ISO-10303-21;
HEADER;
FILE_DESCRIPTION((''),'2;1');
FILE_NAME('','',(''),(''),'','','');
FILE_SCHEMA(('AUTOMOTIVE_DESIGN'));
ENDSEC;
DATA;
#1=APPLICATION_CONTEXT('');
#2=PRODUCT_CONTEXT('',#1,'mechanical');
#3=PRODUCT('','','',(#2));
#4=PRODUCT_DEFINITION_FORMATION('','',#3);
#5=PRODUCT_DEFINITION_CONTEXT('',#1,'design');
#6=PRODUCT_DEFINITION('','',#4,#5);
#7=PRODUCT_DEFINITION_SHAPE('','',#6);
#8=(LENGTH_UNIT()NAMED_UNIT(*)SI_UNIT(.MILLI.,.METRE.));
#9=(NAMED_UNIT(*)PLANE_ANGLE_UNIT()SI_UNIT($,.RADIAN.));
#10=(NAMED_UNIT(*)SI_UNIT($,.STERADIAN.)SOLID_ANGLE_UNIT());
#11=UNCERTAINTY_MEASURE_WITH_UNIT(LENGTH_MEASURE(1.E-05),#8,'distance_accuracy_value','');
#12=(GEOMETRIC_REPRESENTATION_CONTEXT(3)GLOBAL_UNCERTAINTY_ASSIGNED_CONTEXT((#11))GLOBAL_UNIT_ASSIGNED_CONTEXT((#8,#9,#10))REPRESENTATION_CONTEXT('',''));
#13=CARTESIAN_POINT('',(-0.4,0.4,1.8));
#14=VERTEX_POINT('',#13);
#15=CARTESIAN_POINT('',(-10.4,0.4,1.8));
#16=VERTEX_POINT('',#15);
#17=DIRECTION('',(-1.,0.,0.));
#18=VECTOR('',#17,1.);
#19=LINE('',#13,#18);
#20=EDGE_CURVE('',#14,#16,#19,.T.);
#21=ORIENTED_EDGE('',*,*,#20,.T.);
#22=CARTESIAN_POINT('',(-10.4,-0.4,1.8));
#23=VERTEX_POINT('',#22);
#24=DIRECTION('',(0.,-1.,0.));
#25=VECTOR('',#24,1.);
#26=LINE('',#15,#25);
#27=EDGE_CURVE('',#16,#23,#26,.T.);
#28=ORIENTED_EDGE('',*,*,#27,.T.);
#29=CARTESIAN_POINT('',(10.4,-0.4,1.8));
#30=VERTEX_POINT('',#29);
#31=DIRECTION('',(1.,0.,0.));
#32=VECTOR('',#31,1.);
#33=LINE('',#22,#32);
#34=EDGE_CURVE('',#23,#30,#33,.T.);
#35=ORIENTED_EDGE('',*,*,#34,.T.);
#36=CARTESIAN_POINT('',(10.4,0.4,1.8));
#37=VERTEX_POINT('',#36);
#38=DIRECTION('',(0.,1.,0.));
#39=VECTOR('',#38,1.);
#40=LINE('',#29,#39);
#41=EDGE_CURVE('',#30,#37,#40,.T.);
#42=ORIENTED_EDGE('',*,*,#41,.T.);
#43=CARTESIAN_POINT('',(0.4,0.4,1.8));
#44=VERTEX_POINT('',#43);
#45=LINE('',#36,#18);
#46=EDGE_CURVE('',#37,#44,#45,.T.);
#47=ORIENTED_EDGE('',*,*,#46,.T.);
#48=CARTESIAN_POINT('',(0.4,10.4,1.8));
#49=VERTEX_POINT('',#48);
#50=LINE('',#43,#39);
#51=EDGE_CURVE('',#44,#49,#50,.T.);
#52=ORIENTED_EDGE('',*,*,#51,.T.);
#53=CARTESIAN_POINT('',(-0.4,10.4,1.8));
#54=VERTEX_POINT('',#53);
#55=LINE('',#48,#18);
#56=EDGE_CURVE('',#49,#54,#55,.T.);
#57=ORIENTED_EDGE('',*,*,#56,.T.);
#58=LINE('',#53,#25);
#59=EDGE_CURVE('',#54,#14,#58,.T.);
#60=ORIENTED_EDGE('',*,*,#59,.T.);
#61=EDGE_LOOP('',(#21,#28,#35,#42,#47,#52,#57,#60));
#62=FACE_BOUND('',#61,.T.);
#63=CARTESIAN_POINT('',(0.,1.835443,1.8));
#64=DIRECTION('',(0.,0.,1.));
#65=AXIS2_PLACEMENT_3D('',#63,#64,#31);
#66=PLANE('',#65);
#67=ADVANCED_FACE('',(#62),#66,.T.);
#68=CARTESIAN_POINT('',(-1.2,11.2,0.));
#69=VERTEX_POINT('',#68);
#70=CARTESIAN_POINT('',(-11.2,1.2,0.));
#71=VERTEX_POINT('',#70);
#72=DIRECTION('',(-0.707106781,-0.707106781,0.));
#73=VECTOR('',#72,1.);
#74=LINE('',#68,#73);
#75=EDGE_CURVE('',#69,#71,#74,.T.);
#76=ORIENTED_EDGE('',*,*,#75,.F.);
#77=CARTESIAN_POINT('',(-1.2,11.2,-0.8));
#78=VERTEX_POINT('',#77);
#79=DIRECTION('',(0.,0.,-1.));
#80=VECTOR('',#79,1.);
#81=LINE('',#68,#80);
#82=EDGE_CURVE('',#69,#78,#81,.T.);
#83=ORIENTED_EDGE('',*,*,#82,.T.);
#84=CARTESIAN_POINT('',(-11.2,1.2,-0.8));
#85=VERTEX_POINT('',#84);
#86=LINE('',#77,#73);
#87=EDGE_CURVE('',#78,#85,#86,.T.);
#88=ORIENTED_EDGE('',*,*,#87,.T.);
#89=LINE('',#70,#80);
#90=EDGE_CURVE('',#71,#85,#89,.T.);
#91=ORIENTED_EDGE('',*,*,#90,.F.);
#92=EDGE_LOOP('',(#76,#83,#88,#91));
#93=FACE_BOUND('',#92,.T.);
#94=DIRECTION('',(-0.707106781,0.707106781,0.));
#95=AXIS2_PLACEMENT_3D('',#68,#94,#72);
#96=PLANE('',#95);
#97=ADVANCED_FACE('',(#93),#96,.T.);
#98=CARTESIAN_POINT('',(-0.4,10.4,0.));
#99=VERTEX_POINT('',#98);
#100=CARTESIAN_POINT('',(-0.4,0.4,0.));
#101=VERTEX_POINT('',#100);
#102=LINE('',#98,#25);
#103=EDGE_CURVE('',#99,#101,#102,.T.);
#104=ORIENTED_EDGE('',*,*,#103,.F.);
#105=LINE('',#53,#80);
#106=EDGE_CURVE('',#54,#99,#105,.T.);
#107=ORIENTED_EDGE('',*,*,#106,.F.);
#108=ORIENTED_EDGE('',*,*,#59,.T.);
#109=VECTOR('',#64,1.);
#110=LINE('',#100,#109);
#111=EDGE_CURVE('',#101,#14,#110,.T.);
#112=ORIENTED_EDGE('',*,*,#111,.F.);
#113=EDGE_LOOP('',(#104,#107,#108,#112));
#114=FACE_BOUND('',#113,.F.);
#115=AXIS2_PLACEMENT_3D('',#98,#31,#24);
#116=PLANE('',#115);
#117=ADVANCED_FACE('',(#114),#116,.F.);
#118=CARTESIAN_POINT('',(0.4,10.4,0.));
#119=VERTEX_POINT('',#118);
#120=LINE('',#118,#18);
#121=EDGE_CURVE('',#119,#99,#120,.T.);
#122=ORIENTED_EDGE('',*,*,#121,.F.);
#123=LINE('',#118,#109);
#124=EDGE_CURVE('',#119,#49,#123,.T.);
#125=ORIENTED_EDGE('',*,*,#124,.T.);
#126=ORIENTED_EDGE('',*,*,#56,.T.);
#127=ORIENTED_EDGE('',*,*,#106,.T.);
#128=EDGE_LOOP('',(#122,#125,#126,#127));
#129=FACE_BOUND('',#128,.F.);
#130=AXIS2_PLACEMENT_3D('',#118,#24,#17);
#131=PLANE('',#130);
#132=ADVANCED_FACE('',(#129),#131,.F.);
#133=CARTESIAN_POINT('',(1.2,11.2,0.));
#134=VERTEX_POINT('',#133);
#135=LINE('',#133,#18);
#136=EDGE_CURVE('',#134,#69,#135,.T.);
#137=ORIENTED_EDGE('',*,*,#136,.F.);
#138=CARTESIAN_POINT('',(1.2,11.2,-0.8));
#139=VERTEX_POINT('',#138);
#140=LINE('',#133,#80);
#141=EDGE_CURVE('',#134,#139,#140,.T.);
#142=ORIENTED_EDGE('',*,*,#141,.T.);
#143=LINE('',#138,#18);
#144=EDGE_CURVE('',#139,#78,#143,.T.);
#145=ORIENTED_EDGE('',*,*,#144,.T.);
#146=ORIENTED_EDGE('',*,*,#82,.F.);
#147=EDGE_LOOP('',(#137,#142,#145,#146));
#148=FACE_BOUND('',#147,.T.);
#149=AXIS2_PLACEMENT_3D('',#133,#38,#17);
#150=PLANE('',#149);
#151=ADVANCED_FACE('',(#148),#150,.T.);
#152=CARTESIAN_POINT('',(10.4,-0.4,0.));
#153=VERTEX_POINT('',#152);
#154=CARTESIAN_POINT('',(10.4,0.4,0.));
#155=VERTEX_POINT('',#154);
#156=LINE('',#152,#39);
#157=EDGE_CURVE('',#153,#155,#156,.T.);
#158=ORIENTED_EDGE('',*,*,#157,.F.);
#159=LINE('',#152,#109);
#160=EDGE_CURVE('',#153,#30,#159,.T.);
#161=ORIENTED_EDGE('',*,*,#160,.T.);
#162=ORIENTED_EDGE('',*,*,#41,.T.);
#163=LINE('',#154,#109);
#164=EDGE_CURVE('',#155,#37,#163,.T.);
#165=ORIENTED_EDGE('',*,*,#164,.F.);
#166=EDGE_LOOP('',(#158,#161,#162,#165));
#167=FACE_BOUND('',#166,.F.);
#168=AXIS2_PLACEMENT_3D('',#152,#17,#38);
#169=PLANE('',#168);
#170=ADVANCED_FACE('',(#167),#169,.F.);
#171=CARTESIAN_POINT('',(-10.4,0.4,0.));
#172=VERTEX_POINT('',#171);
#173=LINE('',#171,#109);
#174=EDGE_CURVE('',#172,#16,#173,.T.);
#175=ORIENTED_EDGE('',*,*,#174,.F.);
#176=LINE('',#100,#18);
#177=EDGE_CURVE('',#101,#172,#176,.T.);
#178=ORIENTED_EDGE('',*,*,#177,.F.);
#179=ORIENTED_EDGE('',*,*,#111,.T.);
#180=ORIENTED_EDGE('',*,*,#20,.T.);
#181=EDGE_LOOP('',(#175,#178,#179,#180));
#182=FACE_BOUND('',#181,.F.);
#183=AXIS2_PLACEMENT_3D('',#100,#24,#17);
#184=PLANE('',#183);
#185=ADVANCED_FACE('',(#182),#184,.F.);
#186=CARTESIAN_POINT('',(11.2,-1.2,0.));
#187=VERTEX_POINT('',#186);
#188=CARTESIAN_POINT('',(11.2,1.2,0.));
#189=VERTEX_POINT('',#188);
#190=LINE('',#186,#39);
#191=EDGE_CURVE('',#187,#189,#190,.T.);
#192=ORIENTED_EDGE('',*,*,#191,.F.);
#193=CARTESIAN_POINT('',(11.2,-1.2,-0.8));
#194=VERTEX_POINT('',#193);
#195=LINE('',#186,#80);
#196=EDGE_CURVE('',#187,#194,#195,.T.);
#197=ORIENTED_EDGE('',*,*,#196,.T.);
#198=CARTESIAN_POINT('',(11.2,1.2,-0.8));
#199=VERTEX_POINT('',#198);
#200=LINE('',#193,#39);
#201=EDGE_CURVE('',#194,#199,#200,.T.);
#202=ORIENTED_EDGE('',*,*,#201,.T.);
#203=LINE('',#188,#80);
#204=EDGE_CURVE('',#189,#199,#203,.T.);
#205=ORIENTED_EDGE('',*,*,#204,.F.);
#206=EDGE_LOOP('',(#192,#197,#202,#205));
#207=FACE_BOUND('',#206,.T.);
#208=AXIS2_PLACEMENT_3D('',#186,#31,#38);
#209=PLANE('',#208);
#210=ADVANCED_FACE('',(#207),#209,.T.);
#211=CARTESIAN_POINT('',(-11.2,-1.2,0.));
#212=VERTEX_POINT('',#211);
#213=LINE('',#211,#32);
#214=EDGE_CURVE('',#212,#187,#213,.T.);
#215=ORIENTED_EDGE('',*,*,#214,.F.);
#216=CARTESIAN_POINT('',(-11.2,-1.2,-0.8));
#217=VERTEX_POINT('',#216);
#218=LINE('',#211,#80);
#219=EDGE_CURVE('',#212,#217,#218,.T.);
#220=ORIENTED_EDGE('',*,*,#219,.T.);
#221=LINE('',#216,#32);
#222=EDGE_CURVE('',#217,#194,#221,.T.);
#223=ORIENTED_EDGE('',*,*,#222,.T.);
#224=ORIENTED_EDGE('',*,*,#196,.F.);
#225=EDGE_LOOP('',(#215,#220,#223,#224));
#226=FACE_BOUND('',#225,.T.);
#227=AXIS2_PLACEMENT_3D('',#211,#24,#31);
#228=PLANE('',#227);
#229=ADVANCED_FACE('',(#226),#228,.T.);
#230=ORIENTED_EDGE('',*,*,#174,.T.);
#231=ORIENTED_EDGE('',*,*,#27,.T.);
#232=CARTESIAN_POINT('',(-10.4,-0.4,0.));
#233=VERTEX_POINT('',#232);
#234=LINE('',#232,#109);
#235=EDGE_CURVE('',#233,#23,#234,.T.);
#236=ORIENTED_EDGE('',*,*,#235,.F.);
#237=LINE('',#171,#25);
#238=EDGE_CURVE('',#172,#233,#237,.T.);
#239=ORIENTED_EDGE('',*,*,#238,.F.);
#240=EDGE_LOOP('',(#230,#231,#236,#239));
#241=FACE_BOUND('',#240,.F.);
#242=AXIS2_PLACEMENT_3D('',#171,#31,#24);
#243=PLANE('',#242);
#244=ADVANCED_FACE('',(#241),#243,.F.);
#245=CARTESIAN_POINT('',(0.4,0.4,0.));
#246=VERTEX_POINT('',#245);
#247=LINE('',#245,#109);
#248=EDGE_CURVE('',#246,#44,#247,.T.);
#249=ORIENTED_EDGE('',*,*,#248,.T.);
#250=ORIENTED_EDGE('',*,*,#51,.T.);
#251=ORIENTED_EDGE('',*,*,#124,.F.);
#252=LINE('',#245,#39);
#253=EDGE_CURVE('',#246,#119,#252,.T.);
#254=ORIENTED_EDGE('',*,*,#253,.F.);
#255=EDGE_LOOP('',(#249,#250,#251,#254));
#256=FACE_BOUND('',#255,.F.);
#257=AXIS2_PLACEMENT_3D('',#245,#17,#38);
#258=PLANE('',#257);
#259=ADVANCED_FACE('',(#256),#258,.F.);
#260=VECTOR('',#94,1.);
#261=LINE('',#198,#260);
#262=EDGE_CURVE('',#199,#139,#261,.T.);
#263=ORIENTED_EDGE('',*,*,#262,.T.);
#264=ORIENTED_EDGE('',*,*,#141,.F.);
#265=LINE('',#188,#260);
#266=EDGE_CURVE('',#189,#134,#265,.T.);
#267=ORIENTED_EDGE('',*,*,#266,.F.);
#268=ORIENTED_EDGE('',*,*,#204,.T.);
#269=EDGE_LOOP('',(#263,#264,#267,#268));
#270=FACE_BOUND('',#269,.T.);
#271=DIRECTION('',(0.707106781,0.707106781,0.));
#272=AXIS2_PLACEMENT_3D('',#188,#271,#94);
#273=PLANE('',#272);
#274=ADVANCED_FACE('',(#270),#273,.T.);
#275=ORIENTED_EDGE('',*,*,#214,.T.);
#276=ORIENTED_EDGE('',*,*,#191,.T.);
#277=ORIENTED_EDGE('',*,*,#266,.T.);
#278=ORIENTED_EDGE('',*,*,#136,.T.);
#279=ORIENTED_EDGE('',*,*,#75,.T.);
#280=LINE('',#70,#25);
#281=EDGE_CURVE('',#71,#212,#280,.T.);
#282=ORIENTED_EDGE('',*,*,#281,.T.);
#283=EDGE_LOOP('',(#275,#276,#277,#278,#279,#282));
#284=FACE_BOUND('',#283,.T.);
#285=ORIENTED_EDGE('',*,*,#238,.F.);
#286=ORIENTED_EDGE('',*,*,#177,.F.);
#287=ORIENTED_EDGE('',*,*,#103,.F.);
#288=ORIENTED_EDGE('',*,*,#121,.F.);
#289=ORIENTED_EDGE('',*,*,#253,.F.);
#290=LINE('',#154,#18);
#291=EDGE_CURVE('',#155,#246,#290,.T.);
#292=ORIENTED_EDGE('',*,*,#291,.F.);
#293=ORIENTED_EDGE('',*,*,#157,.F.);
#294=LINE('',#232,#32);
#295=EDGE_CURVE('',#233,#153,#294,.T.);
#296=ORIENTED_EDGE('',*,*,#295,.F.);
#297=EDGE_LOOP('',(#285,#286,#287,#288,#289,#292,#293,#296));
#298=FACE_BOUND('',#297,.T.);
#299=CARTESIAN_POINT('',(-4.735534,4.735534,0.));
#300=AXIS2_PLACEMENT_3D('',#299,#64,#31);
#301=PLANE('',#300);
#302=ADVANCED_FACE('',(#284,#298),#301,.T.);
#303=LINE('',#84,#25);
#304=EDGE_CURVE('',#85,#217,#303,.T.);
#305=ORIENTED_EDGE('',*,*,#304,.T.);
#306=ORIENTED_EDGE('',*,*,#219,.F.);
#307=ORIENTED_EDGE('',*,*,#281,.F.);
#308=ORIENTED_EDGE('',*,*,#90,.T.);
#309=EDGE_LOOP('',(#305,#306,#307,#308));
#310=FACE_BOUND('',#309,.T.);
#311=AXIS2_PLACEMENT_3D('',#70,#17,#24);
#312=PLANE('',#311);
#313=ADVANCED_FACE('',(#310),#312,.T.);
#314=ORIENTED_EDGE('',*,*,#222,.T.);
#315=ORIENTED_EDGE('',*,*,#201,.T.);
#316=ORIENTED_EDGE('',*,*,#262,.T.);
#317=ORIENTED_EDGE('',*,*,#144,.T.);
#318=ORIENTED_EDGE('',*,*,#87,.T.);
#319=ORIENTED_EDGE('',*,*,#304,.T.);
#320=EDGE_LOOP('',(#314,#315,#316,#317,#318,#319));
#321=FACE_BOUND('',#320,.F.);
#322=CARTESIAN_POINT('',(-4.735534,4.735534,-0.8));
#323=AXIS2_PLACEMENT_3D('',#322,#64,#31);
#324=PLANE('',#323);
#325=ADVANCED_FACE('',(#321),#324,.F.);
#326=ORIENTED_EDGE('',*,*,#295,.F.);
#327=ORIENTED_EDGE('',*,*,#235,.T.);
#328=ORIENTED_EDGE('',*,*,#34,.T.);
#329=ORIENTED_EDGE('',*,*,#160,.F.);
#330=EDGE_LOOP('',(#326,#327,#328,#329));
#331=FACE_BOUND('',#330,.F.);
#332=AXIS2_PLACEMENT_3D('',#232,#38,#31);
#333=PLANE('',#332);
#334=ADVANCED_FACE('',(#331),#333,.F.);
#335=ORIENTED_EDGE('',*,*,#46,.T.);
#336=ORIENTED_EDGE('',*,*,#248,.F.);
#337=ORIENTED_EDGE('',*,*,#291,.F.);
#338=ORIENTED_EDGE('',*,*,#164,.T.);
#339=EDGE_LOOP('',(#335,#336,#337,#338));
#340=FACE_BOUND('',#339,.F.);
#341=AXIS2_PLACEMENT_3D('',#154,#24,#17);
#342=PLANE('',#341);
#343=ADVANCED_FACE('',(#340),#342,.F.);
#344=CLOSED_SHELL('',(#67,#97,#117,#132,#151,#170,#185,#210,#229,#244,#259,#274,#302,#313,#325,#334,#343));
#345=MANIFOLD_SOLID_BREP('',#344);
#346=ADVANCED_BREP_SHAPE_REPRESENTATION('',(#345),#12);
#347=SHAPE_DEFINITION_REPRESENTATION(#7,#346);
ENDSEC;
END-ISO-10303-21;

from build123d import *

# Parameters (mm, degrees)
F1_DEPTH = 1.8
F0_W     = 0.8
F0_H     = 0.8
F2_DEPTH = 0.8


with BuildPart() as f1:
    # F0 (on Top) → F1 (new body)
    with BuildSketch(Plane.XY):
        Polygon((-0.4, 10.4), (-0.4, 0.4), (-10.4, 0.4), (-10.4, -0.4), (-0.4, -0.4), (0.4, -0.4), (10.4, -0.4), (10.4, 0.4), (0.4, 0.4), (0.4, 10.4), align=None)
    extrude(amount=F1_DEPTH)

    # F0 (on Top) + F1_face (on face) → F2 (join)
    with BuildSketch(Plane.XY):
        Polygon((-1.2, 11.2), (-11.2, 1.2), (-1.2, 1.2), align=None)
        Polygon((1.2, 1.2), (11.2, 1.2), (1.2, 11.2), align=None)
        Polygon((-10.4, 0.4), (-0.4, 0.4), (-0.4, 10.4), (0.4, 10.4), (0.4, 0.4), (10.4, 0.4), (10.4, -0.4), (0.4, -0.4), (0.4, -1.2), (1.2, -1.2), (11.2, -1.2), (11.2, 1.2), (1.2, 1.2), (1.2, 11.2), (-1.2, 11.2), (-1.2, 1.2), (-11.2, 1.2), (-11.2, -1.2), (-1.2, -1.2), (-0.4, -1.2), (-0.4, -0.4), (-10.4, -0.4), align=None)
        Polygon((-0.4, 10.4), (-0.4, 0.4), (-10.4, 0.4), (-10.4, -0.4), (-0.4, -0.4), (0.4, -0.4), (10.4, -0.4), (10.4, 0.4), (0.4, 0.4), (0.4, 10.4), align=None)
        with Locations((0, -0.8)):
            Rectangle(F0_W, F0_H)
    with BuildSketch(Plane(origin=(0, 1.7532467532, 1.8), x_dir=(1, 0, 0), z_dir=(0, 0, 1))):
        Polygon((0.4, -1.3532467532), (0.4, 8.6467532468), (-0.4, 8.6467532468), (-0.4, -1.3532467532), (-10.4, -1.3532467532), (-10.4, -2.1532467532), (10.4, -2.1532467532), (10.4, -1.3532467532), align=None)
    extrude(amount=-F2_DEPTH)


solid = f1.part
